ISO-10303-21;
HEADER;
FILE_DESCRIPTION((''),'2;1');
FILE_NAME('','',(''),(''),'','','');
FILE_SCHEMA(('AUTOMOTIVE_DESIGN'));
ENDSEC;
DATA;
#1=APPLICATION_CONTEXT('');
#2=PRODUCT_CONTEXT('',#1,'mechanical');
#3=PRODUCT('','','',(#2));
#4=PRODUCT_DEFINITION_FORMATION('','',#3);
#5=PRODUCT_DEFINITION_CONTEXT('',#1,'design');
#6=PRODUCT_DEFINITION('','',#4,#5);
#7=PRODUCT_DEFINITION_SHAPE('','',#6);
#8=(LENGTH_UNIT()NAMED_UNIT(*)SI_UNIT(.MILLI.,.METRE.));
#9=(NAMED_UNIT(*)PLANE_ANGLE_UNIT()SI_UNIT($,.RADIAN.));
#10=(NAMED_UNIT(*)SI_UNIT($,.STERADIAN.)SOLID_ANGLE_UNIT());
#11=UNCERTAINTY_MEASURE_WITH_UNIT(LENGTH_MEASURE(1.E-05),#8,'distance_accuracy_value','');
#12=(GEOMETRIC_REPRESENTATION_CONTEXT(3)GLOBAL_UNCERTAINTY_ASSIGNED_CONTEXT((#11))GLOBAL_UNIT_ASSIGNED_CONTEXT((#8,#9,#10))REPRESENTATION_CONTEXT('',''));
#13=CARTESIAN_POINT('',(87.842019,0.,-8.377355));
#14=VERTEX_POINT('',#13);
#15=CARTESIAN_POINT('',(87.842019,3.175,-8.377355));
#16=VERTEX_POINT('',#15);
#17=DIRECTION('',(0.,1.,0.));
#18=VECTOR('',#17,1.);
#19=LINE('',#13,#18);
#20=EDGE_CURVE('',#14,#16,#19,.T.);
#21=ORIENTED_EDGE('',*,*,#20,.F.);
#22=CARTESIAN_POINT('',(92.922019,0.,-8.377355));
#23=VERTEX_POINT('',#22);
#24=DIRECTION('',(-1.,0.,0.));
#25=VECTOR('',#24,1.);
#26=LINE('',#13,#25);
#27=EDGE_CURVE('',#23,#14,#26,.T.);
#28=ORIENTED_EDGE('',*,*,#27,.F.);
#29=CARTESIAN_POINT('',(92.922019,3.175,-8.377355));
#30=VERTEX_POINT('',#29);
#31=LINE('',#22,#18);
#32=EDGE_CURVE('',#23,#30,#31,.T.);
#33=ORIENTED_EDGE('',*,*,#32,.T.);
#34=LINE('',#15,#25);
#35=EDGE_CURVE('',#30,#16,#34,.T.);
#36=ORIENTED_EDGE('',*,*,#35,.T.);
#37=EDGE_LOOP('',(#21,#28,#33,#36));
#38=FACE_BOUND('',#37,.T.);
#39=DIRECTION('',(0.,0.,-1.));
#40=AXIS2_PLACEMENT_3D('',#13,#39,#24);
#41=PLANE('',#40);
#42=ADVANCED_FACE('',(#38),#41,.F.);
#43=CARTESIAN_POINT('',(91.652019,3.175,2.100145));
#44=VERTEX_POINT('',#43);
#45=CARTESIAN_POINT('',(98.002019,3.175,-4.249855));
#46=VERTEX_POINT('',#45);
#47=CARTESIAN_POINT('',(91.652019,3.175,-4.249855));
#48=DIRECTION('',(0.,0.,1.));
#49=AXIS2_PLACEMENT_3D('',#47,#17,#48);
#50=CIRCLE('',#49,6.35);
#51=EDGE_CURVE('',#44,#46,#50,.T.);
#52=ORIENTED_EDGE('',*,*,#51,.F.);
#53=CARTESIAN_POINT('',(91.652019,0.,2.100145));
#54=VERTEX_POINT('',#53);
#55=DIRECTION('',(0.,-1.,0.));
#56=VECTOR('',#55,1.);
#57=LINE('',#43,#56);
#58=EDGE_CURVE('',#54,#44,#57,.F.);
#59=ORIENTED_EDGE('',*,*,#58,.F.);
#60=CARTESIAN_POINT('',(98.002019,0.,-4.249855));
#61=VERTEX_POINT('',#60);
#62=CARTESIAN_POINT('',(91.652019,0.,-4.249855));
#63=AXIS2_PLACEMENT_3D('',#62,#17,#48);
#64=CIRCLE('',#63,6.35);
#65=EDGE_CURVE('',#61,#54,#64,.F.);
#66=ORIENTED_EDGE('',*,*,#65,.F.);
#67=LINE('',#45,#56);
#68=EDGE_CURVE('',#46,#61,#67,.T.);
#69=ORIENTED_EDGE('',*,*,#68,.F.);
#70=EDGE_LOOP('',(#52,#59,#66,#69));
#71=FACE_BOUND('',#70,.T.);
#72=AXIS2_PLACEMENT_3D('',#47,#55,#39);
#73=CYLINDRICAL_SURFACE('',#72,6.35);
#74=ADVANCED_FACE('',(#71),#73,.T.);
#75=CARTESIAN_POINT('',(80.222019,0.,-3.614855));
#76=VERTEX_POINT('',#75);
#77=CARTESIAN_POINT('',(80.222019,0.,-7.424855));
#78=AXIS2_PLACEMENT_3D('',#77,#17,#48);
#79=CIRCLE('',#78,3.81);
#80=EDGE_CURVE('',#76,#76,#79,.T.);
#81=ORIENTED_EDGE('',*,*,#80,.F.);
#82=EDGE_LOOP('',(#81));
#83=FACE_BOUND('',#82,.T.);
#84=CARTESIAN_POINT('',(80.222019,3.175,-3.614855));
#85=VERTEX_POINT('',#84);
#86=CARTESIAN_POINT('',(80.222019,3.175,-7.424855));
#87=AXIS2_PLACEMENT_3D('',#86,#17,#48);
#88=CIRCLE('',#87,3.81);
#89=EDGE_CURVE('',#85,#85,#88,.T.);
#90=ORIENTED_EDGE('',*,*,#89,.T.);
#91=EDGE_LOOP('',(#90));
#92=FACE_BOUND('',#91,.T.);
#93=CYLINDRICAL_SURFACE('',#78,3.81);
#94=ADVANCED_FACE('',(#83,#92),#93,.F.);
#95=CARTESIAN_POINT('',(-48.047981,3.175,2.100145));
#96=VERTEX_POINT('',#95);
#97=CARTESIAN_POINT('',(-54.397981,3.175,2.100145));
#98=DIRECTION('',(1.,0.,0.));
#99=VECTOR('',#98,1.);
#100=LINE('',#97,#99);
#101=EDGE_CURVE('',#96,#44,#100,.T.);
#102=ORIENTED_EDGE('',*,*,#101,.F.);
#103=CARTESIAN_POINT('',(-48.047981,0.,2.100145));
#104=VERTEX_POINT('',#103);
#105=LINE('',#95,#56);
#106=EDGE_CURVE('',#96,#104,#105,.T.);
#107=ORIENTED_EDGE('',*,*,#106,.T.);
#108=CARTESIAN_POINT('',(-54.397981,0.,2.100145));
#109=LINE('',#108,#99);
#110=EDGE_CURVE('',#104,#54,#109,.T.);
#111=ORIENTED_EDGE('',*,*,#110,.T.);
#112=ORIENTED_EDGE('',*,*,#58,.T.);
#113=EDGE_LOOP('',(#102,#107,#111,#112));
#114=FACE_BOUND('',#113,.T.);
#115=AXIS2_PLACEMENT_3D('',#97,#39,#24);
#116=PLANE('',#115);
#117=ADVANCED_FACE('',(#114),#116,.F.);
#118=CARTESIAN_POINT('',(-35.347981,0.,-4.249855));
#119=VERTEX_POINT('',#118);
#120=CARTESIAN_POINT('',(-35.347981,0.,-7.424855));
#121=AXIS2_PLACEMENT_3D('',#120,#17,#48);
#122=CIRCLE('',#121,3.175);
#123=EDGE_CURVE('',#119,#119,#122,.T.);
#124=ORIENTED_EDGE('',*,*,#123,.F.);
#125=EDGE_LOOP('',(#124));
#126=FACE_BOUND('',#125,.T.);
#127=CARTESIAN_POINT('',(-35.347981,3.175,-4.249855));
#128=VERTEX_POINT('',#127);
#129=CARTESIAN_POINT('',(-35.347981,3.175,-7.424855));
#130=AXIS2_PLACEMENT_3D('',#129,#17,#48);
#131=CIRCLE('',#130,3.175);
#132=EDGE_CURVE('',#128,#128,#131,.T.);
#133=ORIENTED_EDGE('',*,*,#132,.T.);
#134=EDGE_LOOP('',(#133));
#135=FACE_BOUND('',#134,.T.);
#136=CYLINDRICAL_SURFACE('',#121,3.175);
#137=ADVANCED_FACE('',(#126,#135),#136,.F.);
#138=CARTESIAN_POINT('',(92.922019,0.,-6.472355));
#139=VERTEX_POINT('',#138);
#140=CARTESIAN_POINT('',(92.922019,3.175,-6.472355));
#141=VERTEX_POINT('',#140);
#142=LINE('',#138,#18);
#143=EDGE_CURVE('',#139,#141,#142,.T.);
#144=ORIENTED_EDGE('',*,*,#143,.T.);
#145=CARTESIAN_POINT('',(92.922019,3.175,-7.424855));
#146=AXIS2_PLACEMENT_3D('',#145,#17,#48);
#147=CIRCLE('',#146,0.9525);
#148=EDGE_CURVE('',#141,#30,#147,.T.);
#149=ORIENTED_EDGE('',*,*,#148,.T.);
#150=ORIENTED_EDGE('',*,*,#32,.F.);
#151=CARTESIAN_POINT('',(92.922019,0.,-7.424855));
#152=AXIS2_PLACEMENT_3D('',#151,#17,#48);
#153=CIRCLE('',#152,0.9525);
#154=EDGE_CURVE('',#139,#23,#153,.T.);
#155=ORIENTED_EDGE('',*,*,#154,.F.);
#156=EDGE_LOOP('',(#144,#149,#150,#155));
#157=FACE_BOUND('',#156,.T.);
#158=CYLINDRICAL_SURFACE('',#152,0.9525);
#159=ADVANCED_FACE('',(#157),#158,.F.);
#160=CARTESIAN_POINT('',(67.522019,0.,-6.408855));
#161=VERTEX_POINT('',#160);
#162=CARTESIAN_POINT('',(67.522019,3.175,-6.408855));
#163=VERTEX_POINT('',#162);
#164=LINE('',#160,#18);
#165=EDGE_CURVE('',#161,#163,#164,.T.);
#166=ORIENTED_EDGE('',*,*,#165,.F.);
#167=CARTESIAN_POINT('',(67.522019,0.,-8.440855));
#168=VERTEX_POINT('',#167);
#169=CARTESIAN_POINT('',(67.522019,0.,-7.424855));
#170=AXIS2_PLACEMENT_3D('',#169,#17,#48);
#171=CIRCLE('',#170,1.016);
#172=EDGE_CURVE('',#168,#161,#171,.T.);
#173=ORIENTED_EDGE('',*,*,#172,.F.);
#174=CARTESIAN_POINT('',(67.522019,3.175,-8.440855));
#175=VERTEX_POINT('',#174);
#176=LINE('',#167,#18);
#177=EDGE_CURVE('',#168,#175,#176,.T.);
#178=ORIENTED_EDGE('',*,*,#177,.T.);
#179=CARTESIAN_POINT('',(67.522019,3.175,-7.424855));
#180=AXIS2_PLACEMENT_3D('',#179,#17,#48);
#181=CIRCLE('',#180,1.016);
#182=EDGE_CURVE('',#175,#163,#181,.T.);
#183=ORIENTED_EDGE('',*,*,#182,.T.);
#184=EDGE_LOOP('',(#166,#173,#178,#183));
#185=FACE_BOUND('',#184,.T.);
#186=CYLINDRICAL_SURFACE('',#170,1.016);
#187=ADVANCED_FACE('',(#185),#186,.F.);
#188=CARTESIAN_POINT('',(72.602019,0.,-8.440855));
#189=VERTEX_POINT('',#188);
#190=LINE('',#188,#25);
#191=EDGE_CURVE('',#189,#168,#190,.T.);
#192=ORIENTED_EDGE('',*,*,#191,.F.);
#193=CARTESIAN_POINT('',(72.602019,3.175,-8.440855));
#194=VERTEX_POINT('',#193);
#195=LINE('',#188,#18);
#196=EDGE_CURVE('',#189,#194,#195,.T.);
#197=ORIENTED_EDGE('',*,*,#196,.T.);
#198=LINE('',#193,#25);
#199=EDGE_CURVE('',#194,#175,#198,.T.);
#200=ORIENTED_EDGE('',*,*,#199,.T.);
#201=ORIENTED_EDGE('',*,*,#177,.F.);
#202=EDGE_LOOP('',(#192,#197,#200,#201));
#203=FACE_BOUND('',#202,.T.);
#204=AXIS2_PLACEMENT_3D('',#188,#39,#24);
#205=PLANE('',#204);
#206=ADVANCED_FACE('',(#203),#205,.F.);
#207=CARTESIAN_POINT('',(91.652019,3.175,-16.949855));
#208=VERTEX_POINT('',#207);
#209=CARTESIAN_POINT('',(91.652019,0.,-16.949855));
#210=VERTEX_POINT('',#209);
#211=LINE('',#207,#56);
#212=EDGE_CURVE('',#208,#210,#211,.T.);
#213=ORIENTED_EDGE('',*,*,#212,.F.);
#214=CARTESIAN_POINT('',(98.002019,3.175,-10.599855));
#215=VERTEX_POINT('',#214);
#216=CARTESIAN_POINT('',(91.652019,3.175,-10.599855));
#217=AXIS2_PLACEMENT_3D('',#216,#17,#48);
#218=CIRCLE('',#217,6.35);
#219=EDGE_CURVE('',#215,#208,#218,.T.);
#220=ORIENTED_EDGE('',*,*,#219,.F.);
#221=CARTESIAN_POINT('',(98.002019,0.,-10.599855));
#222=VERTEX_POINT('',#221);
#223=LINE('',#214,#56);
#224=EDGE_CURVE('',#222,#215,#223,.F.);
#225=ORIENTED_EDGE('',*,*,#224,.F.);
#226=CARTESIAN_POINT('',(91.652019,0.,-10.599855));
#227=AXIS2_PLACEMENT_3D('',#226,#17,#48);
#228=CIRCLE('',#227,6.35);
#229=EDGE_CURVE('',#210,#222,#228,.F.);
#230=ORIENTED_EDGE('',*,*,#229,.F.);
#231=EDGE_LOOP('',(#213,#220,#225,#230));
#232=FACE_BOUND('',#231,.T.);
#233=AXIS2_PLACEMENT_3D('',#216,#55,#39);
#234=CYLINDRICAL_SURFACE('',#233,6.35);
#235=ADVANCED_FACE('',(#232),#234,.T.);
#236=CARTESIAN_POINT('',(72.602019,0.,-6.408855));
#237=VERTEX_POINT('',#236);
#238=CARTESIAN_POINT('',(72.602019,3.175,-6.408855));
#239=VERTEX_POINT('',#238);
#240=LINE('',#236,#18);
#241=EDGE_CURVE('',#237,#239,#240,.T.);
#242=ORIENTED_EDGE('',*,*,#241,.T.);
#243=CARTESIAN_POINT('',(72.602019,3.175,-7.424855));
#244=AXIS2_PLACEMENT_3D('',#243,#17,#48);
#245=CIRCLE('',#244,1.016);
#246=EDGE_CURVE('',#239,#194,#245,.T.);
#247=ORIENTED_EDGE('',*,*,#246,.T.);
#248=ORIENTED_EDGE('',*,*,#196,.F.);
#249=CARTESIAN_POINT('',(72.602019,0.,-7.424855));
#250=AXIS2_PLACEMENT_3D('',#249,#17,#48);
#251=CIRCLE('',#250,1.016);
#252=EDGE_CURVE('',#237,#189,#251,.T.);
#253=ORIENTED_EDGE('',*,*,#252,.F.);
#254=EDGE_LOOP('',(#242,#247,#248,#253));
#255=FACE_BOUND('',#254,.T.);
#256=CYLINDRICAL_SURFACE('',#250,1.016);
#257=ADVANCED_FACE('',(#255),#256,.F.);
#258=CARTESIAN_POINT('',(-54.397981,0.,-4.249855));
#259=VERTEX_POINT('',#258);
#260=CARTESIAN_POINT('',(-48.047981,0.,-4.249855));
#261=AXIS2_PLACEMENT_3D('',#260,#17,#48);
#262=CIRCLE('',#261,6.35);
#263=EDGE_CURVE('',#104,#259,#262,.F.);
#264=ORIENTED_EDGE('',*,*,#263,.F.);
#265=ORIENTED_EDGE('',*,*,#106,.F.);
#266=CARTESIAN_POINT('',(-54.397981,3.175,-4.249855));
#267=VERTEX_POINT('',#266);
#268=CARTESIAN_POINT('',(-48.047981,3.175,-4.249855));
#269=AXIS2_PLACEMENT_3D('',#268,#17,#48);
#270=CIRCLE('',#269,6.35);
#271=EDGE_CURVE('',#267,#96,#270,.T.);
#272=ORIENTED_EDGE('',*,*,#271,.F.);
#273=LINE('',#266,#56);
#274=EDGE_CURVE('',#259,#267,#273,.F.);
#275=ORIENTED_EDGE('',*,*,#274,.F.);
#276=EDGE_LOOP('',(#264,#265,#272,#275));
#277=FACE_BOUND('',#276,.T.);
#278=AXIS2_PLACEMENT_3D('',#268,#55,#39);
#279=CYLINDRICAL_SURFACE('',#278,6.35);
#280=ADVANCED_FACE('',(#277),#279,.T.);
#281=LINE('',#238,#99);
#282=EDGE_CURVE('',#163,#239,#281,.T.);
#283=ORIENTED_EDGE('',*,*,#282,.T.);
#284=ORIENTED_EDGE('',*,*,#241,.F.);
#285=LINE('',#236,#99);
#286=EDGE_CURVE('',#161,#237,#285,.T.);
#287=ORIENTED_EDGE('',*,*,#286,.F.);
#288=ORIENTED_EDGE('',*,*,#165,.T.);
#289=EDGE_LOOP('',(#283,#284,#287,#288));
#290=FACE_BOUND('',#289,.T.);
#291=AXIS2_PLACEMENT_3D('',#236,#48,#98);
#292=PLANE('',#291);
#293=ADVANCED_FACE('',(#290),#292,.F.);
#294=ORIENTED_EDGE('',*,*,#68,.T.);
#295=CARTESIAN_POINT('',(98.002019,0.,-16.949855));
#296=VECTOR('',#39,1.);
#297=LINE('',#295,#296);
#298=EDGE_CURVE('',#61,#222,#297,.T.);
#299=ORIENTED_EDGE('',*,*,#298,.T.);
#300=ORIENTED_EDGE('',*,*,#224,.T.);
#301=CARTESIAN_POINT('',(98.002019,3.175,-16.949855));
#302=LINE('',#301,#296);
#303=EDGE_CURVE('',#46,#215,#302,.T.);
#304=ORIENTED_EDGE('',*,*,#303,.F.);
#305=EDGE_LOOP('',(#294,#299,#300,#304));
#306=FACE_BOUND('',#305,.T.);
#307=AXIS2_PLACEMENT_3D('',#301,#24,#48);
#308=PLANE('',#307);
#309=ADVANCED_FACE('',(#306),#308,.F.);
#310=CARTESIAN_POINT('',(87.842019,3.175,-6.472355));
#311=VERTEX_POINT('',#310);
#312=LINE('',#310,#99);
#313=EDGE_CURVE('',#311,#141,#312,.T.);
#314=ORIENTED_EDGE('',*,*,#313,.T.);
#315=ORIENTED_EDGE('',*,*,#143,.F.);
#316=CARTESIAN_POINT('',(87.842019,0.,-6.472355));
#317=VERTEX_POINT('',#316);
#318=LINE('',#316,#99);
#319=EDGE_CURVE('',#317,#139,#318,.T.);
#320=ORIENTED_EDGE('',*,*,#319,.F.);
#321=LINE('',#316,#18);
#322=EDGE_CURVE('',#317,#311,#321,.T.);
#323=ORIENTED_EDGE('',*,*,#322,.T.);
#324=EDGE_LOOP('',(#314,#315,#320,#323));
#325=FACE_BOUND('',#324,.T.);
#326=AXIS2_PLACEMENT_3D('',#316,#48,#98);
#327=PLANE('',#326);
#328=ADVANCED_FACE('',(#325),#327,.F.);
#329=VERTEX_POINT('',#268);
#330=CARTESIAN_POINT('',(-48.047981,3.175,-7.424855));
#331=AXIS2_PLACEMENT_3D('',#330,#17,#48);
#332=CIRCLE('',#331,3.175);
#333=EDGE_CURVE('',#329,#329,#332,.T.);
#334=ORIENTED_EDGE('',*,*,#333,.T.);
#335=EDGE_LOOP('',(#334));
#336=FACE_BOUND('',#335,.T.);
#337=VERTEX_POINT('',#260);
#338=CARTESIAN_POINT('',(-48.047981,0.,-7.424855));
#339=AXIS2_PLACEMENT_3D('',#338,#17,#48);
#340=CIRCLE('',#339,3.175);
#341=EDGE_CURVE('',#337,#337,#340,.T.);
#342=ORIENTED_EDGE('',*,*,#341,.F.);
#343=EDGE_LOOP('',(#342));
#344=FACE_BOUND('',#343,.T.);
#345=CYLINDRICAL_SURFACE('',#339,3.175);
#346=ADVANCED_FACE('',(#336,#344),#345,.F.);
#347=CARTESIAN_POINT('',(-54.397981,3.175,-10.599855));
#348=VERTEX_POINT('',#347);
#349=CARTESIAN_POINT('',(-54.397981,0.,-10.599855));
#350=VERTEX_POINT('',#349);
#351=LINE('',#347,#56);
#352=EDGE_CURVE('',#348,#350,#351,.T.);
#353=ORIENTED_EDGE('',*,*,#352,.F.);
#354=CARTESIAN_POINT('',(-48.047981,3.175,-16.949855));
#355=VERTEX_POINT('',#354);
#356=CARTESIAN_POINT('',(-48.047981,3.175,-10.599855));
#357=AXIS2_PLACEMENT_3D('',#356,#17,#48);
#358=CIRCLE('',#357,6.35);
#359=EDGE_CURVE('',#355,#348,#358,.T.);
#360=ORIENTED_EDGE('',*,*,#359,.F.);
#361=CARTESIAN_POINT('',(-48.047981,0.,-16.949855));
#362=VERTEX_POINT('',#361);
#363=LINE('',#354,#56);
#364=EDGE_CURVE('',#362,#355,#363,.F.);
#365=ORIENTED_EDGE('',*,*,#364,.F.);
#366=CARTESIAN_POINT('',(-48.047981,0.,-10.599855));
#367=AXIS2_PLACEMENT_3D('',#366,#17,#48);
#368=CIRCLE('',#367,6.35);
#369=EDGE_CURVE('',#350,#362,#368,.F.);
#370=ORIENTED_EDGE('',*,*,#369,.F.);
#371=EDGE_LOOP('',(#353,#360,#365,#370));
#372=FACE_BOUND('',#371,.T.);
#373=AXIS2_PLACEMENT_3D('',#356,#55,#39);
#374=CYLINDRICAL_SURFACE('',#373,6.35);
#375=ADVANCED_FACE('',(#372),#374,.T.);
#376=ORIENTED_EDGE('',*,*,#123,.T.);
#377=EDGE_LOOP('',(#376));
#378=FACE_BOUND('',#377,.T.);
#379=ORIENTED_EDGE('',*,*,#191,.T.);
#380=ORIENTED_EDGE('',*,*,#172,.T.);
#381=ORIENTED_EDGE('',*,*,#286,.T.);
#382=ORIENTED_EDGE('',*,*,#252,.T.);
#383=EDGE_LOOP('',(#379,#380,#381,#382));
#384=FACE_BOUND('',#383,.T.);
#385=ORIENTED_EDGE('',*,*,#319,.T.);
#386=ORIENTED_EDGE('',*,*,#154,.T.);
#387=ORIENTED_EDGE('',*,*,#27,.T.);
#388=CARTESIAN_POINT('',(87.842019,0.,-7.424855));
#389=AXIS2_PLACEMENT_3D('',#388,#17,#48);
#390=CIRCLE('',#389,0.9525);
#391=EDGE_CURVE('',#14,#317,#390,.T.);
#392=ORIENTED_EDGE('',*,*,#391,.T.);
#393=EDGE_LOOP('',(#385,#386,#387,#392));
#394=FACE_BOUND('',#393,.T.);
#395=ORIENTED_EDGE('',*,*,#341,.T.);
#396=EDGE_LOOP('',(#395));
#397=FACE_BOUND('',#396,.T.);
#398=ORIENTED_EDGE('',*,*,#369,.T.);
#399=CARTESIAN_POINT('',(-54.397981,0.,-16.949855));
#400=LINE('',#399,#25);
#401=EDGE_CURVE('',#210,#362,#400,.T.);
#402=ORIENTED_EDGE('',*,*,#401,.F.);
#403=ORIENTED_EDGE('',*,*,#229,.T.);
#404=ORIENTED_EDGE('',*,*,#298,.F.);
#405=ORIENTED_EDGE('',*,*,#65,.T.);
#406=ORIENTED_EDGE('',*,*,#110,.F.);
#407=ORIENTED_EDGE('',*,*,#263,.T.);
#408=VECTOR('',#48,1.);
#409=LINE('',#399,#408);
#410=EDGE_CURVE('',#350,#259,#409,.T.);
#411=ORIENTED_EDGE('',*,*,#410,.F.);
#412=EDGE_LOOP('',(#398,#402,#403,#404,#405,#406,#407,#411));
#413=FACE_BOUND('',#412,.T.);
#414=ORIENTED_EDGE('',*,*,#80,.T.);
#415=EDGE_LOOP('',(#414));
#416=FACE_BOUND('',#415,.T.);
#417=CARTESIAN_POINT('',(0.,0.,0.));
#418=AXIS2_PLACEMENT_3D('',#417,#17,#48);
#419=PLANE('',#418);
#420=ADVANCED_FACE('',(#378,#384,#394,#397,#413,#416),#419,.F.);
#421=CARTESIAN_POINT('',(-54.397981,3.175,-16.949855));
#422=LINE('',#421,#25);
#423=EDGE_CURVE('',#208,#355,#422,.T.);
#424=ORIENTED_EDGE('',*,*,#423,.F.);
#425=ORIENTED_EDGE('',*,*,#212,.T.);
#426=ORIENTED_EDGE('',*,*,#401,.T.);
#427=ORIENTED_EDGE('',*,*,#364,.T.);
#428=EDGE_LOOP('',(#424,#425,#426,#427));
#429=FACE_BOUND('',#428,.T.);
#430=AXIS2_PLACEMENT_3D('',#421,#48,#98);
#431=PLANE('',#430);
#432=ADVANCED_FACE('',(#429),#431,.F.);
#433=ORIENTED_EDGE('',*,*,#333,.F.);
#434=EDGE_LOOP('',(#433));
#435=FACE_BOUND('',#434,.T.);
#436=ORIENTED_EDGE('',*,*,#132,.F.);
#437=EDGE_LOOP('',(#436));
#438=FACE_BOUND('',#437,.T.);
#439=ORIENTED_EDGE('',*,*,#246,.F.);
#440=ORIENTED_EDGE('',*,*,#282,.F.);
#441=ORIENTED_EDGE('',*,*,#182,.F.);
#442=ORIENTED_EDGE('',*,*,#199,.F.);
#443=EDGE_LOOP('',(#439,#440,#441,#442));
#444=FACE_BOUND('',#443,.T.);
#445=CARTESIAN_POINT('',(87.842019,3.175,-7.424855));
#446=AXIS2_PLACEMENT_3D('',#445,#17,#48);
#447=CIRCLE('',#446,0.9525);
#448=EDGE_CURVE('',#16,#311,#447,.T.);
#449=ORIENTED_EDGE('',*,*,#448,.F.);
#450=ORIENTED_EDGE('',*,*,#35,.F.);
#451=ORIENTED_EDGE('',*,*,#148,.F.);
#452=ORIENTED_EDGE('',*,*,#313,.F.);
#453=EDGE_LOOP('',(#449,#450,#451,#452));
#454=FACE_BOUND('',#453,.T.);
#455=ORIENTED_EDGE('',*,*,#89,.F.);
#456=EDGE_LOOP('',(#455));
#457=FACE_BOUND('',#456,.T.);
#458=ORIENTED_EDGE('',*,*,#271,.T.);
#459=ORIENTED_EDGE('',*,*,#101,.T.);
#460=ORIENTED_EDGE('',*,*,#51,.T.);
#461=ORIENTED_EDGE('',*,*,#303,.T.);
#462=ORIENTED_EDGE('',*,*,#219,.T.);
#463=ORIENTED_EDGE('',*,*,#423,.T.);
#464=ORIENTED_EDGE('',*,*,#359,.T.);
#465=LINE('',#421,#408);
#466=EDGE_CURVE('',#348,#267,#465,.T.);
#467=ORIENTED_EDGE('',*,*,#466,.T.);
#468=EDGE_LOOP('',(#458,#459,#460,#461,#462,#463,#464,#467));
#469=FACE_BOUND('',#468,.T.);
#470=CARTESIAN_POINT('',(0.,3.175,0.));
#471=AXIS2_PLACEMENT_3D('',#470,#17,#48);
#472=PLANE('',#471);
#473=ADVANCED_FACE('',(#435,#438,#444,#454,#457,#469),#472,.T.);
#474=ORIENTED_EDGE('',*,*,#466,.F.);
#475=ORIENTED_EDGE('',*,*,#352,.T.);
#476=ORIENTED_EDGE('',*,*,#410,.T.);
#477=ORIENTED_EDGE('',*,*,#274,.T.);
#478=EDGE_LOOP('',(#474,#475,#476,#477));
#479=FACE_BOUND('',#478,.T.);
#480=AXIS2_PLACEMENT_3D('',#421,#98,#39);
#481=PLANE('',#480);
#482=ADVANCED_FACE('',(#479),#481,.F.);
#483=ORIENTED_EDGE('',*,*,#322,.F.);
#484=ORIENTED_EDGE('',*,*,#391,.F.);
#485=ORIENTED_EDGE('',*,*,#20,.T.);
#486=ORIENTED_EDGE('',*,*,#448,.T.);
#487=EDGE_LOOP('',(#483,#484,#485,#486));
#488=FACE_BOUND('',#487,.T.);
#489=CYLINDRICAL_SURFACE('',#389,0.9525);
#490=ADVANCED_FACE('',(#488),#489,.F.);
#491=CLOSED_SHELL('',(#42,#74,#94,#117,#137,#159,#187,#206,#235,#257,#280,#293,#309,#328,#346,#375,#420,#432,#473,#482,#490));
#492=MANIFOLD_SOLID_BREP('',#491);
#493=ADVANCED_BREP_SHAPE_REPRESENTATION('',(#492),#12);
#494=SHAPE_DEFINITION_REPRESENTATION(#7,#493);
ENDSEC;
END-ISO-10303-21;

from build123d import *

# Parameters (mm, degrees)
SKETCH1_W           = 152.4
SKETCH1_H           = 19.05
BOSS_EXTRUDE1_DEPTH = 3.175
FILLET1_R           = 6.35
SKETCH2_R           = 3.175
SKETCH2_R_2         = 3.81
CUT_EXTRUDE1_DEPTH  = 100.507657605


with BuildPart() as part:
    # Sketch1 → Boss-Extrude1 (new body)
    with BuildSketch(Plane(origin=(0, 0, 0), x_dir=(1, 0, 0), z_dir=(0, 1, 0))):
        with Locations((21.802018925, 7.424854969)):
            Rectangle(SKETCH1_W, SKETCH1_H)
    extrude(amount=BOSS_EXTRUDE1_DEPTH)

    # Fillet1
    fillet1_edges = [part.edges().sort_by_distance(p)[0] for p in [
        (-54.397981075, 1.5875, -16.949854969),
        (98.002018925, 1.5875, -16.949854969),
        (98.002018925, 1.5875, 2.100145031),
        (-54.397981075, 1.5875, 2.100145031),
    ]]
    fillet(fillet1_edges, radius=FILLET1_R)

    # Sketch2 → Cut-Extrude1 (cut, through all)
    with BuildSketch(Plane(origin=(0, 3.175, 0), x_dir=(1, 0, 0), z_dir=(0, 1, 0))):
        with Locations(Location((-48.047981075, 7.424854969, 0), (0, 0, 270))):
            Circle(SKETCH2_R)
        with Locations(Location((-35.347981075, 7.424854969, 0), (0, 0, 270))):
            Circle(SKETCH2_R)
        with Locations(Location((80.222018925, 7.424854969, 0), (0, 0, 270))):
            Circle(SKETCH2_R_2)
        with BuildLine():
            Line((87.842018925, 8.377354969), (92.922018925, 8.377354969))
            ThreePointArc((92.922018925, 8.377354969), (93.874518925, 7.424854969), (92.922018925, 6.472354969))
            Line((92.922018925, 6.472354969), (87.842018925, 6.472354969))
            ThreePointArc((87.842018925, 6.472354969), (86.889518925, 7.424854969), (87.842018925, 8.377354969))
        make_face()
        with BuildLine():
            Line((72.602018925, 6.408854969), (67.522018925, 6.408854969))
            ThreePointArc((67.522018925, 6.408854969), (66.506018925, 7.424854969), (67.522018925, 8.440854969))
            Line((67.522018925, 8.440854969), (72.602018925, 8.440854969))
            ThreePointArc((72.602018925, 8.440854969), (73.618018925, 7.424854969), (72.602018925, 6.408854969))
        make_face()
    extrude(amount=-CUT_EXTRUDE1_DEPTH, mode=Mode.SUBTRACT)


solid = part.part
